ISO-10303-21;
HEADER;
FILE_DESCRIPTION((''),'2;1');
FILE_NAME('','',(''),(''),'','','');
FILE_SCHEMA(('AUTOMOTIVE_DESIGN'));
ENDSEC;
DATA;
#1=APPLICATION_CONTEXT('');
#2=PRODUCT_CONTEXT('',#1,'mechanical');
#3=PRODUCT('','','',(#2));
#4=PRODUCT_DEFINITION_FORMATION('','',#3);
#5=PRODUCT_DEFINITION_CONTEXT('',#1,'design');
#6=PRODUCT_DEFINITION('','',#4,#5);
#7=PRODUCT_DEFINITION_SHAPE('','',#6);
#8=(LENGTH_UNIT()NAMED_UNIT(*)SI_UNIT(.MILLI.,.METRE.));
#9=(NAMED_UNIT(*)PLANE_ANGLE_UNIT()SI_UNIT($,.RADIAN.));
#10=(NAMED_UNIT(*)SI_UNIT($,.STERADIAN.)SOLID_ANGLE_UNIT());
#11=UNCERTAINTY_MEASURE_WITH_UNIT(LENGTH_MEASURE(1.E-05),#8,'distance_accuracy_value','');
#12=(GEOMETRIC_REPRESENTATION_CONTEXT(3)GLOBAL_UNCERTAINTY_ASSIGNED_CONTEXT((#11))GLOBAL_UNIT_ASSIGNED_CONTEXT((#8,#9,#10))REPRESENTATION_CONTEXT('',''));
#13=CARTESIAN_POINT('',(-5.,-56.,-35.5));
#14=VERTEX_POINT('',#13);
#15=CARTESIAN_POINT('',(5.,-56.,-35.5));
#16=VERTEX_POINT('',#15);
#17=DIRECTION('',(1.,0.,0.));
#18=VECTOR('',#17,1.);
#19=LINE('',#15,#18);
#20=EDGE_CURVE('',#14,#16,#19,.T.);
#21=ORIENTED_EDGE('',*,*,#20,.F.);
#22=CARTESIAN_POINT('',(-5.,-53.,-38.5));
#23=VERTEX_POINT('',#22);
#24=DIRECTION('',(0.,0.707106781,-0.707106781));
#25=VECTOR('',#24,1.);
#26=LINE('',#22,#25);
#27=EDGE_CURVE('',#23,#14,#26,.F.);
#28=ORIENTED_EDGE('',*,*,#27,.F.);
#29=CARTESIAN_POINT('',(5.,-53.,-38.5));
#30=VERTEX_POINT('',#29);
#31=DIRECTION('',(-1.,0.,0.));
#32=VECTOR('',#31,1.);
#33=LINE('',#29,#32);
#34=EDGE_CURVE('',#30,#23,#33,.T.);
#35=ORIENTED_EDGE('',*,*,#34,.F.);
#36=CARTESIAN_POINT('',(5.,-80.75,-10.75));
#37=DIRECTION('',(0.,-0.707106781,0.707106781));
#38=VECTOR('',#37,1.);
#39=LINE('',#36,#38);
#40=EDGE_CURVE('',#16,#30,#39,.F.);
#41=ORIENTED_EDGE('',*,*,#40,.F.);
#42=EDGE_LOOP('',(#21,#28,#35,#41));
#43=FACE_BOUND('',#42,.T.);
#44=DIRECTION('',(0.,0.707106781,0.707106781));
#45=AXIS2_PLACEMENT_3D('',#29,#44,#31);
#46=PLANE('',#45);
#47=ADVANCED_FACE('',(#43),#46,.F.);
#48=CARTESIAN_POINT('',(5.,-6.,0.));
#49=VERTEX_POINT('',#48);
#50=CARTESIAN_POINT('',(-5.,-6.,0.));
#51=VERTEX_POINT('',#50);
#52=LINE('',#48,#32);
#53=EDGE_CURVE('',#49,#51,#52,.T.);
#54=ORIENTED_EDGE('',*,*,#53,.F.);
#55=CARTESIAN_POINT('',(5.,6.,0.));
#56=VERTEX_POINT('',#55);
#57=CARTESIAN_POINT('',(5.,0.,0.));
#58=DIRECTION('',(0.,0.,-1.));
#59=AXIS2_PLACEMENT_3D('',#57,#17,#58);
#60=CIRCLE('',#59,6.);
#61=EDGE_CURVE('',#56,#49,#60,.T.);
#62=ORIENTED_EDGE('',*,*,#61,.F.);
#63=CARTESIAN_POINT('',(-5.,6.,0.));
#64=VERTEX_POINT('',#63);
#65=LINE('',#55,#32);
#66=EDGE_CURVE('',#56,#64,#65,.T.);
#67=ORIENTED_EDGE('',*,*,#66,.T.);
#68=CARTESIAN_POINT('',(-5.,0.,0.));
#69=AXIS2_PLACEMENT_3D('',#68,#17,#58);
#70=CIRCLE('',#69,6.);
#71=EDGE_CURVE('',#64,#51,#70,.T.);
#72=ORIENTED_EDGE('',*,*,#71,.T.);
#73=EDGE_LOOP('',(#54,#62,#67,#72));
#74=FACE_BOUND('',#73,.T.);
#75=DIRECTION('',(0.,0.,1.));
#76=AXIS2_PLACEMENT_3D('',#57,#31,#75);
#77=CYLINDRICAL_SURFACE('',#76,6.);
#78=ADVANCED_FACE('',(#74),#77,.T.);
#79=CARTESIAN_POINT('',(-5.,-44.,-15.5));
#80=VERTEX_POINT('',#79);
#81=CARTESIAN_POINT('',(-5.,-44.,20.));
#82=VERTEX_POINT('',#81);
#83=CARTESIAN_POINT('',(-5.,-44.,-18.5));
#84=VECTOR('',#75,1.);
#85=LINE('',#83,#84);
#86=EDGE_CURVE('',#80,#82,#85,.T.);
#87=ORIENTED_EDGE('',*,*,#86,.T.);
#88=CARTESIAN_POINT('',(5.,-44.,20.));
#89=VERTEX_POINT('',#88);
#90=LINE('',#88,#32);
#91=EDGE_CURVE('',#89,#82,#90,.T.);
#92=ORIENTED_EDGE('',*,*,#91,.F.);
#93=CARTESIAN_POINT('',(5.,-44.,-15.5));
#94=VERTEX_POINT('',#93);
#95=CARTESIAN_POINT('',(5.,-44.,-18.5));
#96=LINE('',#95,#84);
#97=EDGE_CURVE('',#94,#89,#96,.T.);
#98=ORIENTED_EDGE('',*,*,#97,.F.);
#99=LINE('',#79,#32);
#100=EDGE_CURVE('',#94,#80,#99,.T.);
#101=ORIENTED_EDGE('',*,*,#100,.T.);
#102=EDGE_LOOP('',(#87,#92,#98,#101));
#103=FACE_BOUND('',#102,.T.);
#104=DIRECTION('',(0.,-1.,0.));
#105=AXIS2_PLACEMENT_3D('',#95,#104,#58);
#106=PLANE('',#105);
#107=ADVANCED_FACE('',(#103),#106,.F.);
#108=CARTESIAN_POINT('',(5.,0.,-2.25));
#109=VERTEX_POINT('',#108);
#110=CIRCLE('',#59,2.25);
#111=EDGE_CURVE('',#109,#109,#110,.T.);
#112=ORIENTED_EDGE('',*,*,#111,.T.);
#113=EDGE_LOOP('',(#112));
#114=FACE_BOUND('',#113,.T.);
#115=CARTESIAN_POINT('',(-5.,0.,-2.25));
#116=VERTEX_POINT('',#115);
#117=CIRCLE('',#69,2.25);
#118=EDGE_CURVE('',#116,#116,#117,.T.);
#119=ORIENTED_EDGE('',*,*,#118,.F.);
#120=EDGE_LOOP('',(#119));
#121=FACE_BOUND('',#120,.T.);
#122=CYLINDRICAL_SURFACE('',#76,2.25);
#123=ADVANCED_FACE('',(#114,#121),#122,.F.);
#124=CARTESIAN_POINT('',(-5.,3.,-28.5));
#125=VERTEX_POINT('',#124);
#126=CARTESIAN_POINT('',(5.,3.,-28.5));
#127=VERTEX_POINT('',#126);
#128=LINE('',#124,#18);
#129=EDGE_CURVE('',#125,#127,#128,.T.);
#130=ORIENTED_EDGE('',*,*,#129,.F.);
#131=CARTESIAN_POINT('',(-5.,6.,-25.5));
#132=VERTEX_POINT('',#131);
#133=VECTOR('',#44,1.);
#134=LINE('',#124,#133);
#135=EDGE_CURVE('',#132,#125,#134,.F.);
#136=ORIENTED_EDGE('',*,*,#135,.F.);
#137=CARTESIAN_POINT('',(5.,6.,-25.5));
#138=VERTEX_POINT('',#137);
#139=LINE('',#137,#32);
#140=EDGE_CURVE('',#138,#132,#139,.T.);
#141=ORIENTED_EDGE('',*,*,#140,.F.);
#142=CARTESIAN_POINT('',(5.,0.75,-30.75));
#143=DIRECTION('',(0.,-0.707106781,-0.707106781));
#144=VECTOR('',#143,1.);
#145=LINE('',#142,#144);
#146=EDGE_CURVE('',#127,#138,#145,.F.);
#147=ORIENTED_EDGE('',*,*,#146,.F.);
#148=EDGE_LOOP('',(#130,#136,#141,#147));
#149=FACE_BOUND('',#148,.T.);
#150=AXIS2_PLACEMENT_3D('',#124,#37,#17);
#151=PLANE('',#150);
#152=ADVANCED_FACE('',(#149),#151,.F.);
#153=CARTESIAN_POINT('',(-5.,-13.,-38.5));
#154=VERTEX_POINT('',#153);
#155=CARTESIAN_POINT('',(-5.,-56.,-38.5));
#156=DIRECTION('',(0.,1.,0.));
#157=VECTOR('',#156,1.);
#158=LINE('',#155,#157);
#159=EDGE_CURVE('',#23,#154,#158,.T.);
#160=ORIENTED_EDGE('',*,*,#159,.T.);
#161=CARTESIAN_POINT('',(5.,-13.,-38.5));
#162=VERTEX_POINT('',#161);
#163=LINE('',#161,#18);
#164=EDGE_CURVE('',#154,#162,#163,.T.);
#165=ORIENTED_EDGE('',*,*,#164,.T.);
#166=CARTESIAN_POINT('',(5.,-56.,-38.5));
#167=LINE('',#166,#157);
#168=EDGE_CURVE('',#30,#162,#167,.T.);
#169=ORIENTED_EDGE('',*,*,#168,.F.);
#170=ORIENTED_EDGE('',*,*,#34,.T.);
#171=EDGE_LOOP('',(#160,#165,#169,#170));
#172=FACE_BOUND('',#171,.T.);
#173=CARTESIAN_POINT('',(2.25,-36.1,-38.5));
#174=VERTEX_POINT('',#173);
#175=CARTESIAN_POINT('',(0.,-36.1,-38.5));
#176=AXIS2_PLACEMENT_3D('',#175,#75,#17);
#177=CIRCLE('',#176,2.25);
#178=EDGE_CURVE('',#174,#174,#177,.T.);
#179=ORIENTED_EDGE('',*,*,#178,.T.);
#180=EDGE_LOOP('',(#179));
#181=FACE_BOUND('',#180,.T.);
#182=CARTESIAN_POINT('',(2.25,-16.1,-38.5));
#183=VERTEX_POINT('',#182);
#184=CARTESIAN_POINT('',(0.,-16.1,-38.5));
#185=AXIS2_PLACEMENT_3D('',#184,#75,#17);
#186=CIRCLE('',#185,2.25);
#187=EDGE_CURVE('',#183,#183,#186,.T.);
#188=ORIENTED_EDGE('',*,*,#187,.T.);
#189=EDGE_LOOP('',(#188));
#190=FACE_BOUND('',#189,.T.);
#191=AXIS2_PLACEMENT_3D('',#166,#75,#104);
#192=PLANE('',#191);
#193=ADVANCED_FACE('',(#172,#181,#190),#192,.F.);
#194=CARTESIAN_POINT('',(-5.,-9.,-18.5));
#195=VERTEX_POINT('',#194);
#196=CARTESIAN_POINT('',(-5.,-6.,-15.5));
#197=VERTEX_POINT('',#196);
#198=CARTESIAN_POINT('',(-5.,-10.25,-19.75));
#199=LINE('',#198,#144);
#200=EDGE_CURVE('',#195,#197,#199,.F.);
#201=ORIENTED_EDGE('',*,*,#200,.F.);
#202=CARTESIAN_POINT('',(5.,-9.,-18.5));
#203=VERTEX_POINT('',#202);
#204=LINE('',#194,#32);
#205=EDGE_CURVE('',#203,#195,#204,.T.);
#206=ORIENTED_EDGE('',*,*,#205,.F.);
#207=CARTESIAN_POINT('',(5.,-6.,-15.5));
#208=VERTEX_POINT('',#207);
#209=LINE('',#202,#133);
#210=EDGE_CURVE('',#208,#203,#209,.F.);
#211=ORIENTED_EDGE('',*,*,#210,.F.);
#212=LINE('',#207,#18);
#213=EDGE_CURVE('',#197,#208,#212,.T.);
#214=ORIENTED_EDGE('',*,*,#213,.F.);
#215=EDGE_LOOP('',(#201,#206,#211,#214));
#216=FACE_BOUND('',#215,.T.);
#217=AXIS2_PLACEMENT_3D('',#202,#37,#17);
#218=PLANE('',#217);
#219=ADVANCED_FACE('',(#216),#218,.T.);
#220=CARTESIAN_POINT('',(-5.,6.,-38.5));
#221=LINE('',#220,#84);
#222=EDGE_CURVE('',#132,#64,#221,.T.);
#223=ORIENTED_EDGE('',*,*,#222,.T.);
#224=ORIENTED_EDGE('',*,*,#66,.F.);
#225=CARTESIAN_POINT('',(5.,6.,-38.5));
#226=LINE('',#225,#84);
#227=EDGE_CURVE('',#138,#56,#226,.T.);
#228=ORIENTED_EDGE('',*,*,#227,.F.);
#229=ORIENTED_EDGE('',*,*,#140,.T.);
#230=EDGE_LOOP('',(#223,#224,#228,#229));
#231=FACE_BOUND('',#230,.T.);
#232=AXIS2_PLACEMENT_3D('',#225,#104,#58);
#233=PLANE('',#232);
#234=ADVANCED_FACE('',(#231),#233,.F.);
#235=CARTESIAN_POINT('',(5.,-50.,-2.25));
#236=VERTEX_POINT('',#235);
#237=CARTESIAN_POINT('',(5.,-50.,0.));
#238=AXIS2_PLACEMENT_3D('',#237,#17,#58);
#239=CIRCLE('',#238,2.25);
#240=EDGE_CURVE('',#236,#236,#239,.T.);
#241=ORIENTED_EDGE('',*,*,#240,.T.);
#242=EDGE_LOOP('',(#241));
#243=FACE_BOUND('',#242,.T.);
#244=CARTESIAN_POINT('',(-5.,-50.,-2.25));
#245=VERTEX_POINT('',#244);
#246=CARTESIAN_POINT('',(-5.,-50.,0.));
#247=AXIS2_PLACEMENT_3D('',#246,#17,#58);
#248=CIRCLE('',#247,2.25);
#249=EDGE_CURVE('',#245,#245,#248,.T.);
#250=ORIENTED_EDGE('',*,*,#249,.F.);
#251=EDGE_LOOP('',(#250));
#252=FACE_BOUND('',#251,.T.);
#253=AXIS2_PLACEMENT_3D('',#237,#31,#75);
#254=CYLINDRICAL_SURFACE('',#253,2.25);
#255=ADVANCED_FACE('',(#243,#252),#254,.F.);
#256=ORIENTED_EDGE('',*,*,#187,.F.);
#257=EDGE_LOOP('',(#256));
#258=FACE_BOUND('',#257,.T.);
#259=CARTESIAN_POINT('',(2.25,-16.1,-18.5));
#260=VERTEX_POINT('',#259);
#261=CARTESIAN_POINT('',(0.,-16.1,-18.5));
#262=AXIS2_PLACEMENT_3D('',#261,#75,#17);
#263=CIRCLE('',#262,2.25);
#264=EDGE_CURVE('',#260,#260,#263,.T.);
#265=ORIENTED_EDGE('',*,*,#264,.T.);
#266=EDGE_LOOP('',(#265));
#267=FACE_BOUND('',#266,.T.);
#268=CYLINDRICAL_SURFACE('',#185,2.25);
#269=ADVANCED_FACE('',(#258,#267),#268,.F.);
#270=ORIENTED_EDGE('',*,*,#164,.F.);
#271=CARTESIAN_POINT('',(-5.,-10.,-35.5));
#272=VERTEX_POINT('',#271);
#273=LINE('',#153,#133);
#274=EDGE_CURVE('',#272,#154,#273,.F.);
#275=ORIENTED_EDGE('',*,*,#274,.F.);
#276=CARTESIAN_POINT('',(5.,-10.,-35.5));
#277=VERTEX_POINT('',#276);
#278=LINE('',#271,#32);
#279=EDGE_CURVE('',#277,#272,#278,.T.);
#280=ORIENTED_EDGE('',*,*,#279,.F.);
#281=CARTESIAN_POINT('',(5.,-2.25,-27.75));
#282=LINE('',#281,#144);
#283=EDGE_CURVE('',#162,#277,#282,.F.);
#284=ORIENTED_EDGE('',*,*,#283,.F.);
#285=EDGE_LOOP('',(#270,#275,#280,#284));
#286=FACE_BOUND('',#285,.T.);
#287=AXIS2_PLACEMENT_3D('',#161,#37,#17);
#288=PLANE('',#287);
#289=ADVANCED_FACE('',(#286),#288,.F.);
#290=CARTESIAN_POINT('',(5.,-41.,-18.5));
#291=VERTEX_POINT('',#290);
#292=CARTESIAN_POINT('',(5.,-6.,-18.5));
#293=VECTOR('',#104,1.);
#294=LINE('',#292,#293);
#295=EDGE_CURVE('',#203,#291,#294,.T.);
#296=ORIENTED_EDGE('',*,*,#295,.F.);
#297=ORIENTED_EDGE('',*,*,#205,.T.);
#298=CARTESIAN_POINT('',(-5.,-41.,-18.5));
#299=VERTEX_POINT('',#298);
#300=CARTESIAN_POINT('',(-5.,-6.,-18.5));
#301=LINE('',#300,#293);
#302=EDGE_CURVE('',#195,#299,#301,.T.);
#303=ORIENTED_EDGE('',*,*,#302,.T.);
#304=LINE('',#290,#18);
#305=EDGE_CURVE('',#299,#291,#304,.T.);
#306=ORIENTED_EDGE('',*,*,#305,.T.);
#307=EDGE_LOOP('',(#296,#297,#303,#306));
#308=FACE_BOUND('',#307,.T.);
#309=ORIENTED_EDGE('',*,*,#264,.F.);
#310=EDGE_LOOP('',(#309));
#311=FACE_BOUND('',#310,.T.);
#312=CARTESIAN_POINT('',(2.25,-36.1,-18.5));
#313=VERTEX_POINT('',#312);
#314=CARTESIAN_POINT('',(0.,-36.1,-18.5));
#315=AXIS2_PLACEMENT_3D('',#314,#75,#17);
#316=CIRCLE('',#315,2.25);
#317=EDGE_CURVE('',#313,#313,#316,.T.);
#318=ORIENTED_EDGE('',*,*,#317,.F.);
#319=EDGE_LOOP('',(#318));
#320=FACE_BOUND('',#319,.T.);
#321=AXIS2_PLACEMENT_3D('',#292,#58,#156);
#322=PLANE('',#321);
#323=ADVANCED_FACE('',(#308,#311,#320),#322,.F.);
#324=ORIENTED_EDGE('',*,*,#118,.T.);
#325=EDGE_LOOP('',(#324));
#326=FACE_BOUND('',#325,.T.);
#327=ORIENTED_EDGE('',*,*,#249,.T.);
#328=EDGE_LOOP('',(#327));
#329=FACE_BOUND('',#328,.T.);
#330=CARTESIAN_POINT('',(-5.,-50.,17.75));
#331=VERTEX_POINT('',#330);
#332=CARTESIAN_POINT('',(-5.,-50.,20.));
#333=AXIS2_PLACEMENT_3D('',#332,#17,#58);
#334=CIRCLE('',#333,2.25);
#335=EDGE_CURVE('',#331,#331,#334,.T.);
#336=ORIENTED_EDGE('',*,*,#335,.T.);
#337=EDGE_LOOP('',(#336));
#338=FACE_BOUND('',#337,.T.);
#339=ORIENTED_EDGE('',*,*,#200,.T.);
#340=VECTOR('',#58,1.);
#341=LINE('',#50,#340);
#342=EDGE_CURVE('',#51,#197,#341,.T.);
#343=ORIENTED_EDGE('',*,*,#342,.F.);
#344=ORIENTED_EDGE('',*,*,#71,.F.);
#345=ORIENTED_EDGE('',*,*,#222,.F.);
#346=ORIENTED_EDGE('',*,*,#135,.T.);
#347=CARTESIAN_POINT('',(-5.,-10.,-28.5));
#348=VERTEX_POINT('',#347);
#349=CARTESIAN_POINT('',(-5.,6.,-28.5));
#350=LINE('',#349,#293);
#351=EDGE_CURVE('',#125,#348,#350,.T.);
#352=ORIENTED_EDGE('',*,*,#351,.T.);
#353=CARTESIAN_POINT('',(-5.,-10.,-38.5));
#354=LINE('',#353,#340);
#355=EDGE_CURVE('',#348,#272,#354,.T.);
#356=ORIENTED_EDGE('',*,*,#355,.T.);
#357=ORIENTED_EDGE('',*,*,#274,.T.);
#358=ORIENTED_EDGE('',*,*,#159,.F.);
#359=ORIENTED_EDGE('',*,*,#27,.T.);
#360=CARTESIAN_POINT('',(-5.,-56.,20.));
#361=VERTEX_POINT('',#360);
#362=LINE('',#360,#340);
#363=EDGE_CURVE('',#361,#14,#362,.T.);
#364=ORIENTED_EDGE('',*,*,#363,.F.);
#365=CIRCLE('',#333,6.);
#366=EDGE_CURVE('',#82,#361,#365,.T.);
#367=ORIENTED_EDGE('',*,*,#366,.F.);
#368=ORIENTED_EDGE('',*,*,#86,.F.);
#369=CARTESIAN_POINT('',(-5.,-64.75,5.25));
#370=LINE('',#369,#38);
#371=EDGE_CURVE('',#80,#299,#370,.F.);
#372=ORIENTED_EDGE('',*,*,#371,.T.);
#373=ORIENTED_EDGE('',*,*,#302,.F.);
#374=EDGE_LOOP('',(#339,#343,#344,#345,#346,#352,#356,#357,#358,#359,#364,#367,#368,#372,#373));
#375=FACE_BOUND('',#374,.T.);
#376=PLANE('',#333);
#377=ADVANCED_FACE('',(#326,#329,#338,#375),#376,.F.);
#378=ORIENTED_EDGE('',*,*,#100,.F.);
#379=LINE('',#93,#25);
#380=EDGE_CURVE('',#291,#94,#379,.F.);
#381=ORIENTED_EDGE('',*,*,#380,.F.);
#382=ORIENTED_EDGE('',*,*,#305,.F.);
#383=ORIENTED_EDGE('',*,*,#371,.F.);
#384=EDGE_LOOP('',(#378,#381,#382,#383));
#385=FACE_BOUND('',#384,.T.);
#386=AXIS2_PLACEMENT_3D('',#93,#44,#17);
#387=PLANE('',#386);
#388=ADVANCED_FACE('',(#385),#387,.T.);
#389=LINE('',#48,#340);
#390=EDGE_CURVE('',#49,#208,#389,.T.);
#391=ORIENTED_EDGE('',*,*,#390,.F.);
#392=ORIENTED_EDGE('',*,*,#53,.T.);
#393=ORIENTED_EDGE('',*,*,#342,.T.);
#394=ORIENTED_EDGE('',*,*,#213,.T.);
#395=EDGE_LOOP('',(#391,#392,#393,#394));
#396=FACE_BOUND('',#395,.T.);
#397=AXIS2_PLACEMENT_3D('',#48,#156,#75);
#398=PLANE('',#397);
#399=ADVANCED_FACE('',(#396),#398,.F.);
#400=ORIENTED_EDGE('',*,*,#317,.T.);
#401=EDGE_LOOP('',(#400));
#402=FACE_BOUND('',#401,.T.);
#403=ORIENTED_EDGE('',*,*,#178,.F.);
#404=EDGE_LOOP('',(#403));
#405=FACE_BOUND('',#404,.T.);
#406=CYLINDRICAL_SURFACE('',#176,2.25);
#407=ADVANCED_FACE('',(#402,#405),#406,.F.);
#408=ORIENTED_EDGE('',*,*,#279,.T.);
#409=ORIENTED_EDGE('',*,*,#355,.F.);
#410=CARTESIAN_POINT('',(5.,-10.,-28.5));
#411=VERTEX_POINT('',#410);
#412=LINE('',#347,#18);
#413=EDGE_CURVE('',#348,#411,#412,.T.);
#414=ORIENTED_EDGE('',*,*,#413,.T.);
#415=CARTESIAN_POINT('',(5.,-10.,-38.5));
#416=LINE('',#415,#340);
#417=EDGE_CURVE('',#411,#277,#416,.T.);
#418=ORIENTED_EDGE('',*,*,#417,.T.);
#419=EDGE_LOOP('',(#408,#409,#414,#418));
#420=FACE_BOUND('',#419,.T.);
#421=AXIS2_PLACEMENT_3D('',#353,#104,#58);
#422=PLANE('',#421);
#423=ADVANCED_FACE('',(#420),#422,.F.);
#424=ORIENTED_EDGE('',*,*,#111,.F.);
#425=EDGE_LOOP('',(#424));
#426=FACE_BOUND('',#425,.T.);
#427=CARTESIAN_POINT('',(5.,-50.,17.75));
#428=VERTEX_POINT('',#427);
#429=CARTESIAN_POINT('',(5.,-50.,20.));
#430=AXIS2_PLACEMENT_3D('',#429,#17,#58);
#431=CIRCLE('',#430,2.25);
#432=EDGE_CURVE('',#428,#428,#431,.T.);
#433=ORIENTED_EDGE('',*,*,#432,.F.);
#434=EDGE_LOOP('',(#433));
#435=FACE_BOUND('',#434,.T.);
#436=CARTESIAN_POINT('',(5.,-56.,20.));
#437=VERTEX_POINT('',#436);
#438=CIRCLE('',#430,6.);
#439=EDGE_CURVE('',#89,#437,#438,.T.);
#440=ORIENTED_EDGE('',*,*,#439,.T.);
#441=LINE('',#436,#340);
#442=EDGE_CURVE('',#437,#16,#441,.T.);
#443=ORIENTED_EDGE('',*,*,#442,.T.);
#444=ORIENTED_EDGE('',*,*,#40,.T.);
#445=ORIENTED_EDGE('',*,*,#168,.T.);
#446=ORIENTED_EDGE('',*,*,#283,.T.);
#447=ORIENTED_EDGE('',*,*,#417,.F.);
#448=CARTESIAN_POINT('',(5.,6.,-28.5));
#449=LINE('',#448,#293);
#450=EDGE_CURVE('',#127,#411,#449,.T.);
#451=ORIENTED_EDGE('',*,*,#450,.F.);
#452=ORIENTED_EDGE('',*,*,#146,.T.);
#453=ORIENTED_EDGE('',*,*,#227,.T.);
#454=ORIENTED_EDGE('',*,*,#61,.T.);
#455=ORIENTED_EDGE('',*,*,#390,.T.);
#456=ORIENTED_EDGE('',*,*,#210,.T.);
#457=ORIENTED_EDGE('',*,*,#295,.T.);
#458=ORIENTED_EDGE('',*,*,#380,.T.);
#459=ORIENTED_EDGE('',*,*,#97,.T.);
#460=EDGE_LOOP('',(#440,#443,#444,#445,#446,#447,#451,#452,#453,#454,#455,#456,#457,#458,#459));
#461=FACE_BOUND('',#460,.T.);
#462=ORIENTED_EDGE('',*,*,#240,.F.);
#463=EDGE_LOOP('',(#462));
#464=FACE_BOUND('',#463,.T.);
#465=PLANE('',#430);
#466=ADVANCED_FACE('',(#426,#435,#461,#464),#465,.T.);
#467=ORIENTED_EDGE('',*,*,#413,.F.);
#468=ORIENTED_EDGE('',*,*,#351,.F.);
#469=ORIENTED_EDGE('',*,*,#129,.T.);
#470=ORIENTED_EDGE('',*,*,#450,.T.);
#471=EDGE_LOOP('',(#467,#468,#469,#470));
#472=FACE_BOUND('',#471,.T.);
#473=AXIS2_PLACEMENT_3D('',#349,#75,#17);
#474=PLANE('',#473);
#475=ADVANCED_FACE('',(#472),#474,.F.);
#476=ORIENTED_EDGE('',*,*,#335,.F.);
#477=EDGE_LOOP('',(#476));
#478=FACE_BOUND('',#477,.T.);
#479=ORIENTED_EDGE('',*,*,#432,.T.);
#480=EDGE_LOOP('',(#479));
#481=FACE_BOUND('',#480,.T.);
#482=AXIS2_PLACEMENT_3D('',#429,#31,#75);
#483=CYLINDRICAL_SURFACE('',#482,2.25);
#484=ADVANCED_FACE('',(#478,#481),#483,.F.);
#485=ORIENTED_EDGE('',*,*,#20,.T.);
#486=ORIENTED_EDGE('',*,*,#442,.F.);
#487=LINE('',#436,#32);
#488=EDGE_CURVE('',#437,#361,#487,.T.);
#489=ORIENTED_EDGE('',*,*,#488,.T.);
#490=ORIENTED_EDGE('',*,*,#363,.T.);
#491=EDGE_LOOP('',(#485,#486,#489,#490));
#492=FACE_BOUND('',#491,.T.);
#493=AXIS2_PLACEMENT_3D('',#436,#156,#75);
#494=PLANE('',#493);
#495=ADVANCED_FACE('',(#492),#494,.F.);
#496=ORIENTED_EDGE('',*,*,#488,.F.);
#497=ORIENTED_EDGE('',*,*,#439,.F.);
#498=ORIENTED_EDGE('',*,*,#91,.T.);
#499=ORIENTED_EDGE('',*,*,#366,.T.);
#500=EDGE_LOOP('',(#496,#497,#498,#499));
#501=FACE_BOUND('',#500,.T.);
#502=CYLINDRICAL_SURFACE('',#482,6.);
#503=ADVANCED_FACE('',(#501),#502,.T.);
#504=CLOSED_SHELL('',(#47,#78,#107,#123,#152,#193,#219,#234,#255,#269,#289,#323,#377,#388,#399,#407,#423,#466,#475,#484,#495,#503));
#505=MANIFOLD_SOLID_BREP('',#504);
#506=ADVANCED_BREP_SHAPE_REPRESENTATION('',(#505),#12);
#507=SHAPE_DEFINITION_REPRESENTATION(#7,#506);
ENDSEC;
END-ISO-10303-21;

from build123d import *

# Parameters (mm, degrees)
SKETCH1_R           = 2.25
BOSS_EXTRUDE1_DEPTH = 5
SKETCH2_R           = 2.25
CUT_EXTRUDE1_DEPTH  = 72.702510416
SKETCH3_W           = 10
SKETCH3_H           = 16
CUT_EXTRUDE2_DEPTH  = 69.689518851
CHAMFER1_SIZE       = 3


with BuildPart() as part:
    # Sketch1 → Boss-Extrude1 (new, symmetric)
    with BuildSketch(Plane(origin=(0, 0, 0), x_dir=(0, 0, -1), z_dir=(1, 0, 0))):
        with BuildLine():
            Line((-20, -56), (38.5, -56))
            Line((38.5, -56), (38.5, 6))
            Line((38.5, 6), (0, 6))
            ThreePointArc((0, 6), (-6, 0), (0, -6))
            Line((0, -6), (18.5, -6))
            Line((18.5, -6), (18.5, -44))
            Line((18.5, -44), (-20, -44))
            ThreePointArc((-20, -44), (-26, -50), (-20, -56))
        make_face()
        Circle(SKETCH1_R, mode=Mode.SUBTRACT)
        with Locations((0, -50)):
            Circle(SKETCH1_R, mode=Mode.SUBTRACT)
        with Locations((-20, -50)):
            Circle(SKETCH1_R, mode=Mode.SUBTRACT)
    extrude(amount=BOSS_EXTRUDE1_DEPTH, both=True)

    # Sketch2 → Cut-Extrude1 (cut, through all)
    with BuildSketch(Plane.XY.offset(-18.5)):
        with Locations((0, -16.1)):
            Circle(SKETCH2_R)
        with Locations((0, -36.1)):
            Circle(SKETCH2_R)
    extrude(amount=-CUT_EXTRUDE1_DEPTH, mode=Mode.SUBTRACT)

    # Sketch3 → Cut-Extrude2 (cut, through all)
    with BuildSketch(Plane(origin=(5, 0, 0), x_dir=(0, 0, -1), z_dir=(1, 0, 0))):
        with Locations((33.5, -2)):
            Rectangle(SKETCH3_W, SKETCH3_H)
    extrude(amount=-CUT_EXTRUDE2_DEPTH, mode=Mode.SUBTRACT)

    # Chamfer1
    chamfer1_edges = [part.edges().sort_by_distance(p)[0] for p in [
        (0, -44, -18.5),
        (0, -6, -18.5),
        (0, -56, -38.5),
        (0, -10, -38.5),
        (0, 6, -28.5),
    ]]
    chamfer(chamfer1_edges, length=CHAMFER1_SIZE)


solid = part.part
